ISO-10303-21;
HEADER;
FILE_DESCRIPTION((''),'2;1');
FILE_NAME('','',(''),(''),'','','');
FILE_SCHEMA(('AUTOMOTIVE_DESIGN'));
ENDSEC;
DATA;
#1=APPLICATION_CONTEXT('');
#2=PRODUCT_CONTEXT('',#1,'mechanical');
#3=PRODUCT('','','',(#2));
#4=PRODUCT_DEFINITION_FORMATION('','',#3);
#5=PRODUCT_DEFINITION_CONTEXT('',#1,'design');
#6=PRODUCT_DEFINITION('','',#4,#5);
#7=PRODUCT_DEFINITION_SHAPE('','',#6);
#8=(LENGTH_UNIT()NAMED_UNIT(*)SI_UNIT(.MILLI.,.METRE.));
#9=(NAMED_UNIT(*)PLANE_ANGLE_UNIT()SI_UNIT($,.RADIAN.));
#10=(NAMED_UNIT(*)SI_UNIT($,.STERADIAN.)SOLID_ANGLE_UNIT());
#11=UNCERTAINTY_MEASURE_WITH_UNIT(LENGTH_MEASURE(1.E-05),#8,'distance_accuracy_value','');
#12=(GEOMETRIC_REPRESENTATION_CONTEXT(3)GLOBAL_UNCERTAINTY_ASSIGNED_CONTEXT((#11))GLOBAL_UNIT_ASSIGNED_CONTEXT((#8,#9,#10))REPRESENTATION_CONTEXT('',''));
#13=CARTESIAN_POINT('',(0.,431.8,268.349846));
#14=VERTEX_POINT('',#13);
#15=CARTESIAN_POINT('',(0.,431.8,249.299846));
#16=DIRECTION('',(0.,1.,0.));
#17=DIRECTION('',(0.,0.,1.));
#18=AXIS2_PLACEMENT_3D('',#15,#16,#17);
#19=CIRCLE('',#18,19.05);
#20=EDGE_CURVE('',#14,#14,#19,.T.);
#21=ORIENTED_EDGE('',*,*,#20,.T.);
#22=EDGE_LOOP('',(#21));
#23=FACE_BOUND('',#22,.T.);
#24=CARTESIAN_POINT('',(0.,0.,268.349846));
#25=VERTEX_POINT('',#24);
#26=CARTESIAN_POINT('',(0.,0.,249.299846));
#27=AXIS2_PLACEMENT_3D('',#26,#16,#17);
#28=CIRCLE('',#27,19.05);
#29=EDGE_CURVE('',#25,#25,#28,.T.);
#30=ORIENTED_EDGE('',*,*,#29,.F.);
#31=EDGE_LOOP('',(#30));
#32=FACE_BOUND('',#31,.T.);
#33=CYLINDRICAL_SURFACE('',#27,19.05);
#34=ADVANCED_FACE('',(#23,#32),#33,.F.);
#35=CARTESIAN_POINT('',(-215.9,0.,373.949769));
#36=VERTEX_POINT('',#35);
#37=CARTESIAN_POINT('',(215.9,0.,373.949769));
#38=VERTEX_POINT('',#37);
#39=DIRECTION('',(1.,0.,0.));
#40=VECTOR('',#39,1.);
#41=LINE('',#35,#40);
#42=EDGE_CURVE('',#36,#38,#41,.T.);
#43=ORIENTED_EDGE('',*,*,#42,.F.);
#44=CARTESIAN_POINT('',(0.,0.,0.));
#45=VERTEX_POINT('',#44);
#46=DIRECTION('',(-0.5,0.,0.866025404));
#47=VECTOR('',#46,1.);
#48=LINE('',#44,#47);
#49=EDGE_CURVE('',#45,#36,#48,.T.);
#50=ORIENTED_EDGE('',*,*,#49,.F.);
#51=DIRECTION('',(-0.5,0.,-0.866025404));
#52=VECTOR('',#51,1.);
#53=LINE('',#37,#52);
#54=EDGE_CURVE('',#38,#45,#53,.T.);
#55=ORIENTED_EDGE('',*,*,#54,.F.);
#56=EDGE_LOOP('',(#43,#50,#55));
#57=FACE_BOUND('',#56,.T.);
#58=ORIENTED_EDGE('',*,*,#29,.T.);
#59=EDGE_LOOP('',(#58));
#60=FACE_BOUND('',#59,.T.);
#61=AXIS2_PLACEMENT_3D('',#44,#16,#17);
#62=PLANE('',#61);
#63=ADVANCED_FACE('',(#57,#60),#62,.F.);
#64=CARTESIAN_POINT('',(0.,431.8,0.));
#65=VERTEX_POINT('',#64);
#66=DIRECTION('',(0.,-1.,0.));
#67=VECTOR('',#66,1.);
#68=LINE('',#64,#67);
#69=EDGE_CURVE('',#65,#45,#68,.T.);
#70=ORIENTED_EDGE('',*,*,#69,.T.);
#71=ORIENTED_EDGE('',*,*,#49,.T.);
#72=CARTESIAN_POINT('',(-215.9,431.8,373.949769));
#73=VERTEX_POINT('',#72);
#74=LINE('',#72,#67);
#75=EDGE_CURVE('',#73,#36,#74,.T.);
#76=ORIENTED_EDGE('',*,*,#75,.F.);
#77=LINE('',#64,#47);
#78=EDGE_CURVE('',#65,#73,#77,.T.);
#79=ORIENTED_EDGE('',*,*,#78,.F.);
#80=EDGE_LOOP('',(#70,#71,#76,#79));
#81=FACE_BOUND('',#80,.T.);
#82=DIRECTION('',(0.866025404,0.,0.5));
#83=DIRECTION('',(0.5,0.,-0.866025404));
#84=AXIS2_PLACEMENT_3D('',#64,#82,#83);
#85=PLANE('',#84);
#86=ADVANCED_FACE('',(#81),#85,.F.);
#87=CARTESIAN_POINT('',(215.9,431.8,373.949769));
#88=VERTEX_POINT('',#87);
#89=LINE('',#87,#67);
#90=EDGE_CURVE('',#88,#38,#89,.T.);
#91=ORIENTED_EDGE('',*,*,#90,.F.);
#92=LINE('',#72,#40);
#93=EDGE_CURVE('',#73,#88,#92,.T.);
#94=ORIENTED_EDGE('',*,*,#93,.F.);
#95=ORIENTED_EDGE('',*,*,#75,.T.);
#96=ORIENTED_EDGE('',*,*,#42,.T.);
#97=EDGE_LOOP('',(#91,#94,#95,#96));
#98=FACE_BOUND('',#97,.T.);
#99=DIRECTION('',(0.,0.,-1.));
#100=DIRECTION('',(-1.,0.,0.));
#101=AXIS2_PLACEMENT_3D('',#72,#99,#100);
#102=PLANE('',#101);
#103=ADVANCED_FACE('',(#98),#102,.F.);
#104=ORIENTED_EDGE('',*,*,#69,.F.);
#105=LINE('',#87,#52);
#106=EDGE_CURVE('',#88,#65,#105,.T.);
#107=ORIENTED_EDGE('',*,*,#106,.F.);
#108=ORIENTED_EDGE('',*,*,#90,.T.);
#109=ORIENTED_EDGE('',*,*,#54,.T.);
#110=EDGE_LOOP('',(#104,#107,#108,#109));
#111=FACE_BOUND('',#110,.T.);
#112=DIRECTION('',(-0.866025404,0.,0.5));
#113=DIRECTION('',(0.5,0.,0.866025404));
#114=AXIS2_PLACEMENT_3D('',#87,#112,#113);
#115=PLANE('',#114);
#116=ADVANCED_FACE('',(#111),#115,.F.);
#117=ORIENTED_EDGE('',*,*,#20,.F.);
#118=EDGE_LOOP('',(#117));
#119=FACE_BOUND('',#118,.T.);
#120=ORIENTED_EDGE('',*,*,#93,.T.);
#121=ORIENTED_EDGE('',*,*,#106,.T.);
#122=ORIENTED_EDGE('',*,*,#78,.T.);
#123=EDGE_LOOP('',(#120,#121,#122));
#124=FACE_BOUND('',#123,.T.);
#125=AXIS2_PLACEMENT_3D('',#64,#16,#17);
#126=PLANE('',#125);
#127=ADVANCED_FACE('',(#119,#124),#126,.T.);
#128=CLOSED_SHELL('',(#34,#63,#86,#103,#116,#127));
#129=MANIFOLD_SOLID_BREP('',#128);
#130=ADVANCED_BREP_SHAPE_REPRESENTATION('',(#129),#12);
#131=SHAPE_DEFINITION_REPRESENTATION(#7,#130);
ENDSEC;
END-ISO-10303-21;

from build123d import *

# Parameters (mm, degrees)
BOSS_EXTRUDE1_DEPTH = 431.8
SKETCH2_R           = 19.05
CUT_EXTRUDE1_DEPTH  = 432.8


with BuildPart() as part:
    # Sketch1 → Boss-Extrude1 (new body)
    with BuildSketch(Plane(origin=(0, 0, 0), x_dir=(1, 0, 0), z_dir=(0, 1, 0))):
        Polygon((0, 0), (-215.9, -373.949769354), (215.9, -373.949769354), align=None)
    extrude(amount=BOSS_EXTRUDE1_DEPTH)

    # Sketch2 → Cut-Extrude1 (cut, through all)
    with BuildSketch(Plane(origin=(0, 431.8, 0), x_dir=(1, 0, 0), z_dir=(0, 1, 0))):
        with Locations((0, -249.299846236)):
            Circle(SKETCH2_R)
    extrude(amount=-CUT_EXTRUDE1_DEPTH, mode=Mode.SUBTRACT)


solid = part.part
